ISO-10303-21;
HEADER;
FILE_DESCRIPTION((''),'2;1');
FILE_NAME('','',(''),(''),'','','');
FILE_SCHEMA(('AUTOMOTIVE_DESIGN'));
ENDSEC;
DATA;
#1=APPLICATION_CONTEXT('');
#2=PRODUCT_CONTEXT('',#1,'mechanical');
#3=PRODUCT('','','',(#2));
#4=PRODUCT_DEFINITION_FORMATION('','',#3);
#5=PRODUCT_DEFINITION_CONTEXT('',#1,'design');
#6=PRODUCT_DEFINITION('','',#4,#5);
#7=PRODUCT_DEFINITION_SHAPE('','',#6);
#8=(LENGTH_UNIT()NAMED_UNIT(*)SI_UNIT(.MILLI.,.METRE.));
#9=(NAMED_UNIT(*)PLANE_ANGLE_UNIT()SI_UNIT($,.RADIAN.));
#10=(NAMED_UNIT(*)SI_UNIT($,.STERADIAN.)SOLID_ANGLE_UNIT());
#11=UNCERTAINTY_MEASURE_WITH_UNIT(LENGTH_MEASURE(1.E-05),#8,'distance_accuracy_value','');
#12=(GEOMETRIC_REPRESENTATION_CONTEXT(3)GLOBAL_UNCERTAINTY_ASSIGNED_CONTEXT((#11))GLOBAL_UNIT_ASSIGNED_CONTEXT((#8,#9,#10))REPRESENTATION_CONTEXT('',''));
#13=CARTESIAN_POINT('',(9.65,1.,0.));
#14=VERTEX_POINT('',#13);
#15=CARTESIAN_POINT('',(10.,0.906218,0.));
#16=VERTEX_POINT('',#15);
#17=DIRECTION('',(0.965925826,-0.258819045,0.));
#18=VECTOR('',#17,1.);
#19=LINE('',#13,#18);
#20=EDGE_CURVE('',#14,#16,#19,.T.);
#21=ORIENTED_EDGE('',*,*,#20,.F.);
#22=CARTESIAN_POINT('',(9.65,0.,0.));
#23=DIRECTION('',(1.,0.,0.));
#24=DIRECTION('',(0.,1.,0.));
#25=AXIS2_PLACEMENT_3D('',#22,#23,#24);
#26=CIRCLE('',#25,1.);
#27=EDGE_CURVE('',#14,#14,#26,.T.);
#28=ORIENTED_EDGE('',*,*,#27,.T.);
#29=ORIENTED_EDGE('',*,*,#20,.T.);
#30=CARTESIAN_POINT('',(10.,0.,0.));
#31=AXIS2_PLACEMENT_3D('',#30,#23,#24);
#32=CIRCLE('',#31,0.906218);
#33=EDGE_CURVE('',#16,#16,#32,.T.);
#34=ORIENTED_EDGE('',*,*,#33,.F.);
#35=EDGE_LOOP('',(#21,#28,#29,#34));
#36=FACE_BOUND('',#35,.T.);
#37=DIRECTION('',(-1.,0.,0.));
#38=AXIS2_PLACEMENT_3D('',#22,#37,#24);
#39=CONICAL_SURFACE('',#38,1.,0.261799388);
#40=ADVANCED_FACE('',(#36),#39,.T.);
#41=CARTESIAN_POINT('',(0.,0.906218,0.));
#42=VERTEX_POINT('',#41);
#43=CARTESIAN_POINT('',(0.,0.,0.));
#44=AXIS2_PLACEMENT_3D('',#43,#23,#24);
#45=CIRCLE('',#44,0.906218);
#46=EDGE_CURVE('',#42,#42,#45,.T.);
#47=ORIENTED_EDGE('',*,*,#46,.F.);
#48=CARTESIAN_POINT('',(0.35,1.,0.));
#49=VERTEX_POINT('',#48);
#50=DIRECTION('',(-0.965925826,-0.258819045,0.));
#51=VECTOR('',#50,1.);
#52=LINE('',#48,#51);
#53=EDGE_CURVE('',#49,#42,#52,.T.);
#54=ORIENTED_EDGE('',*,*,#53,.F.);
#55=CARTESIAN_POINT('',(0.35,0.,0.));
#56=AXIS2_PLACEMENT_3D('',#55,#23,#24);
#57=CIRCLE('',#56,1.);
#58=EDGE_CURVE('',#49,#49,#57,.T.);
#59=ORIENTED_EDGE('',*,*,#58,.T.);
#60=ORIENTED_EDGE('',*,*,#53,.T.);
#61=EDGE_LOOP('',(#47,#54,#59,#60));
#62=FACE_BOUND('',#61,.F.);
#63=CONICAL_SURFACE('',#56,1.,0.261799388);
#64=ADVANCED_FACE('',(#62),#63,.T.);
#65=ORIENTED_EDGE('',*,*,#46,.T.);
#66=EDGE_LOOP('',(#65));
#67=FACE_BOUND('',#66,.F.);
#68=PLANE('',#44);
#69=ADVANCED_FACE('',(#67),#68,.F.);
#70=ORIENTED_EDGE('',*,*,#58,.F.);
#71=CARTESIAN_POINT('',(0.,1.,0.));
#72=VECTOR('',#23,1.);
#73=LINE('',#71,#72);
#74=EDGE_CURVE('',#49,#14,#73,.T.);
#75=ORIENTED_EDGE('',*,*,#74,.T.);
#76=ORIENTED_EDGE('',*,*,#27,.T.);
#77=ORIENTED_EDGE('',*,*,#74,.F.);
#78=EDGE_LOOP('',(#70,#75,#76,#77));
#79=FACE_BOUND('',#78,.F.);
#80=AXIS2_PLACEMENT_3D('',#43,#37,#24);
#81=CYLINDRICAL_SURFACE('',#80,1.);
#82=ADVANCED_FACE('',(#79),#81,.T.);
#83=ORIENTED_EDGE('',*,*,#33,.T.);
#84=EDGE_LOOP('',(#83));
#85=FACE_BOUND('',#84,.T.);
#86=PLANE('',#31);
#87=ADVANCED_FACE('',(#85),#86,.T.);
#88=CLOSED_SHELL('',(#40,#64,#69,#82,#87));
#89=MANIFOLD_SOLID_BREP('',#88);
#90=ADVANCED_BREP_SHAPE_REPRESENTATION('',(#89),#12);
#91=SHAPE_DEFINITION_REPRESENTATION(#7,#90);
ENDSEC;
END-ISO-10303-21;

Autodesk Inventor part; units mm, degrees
ref_plane "YZ Plane" through (0, 0, 0) normal (1, 0, 0) x (0, 1, 0)
ref_plane "XZ Plane" through (0, 0, 0) normal (0, 1, 0) x (-1, 0, 0)
ref_plane "XY Plane" through (0, 0, 0) normal (0, 0, 1) x (1, 0, 0)
sketch "Sketch" plane through (0, 0, 0) normal (1, 0, 0) x (0, 1, 0)
  circle A0 centre (0, 0) radius 1
  dimension "d1" = 2
extrude "Body" add sketch "Sketch" along normal blind 10
chamfer "Chamfer1" distance 0.35 angle 15 1 edges at (0, -1, 0) measured on face at (6.6667, 0.9871, -0.1604)
chamfer "Sketch2" distance 0.35 angle 15 1 edges at (10, -1, 0) measured on face at (6.7833, 0.9968, -0.0805)
equation "\"d1\" = NND"
equation "\"d2\" = NLG"
equation "\"d8\" = PHH"
equation "\"d9\" = FAWI"
equation "\"d12\" = PHH"
equation "\"d4\" = PHH"
equation "\"d5\" = FAWI"
equation "\"d11\" = PHH"
equation "\"NND\" = 2"
equation "\"NLG\" = 10"
equation "\"PHH\" = 0.35"
equation "\"FAWI\" = 15deg"
equation "\"KAH\" = 0"
properties part number "2 h8 x 10" material "Stainless Steel, Austenitic"
